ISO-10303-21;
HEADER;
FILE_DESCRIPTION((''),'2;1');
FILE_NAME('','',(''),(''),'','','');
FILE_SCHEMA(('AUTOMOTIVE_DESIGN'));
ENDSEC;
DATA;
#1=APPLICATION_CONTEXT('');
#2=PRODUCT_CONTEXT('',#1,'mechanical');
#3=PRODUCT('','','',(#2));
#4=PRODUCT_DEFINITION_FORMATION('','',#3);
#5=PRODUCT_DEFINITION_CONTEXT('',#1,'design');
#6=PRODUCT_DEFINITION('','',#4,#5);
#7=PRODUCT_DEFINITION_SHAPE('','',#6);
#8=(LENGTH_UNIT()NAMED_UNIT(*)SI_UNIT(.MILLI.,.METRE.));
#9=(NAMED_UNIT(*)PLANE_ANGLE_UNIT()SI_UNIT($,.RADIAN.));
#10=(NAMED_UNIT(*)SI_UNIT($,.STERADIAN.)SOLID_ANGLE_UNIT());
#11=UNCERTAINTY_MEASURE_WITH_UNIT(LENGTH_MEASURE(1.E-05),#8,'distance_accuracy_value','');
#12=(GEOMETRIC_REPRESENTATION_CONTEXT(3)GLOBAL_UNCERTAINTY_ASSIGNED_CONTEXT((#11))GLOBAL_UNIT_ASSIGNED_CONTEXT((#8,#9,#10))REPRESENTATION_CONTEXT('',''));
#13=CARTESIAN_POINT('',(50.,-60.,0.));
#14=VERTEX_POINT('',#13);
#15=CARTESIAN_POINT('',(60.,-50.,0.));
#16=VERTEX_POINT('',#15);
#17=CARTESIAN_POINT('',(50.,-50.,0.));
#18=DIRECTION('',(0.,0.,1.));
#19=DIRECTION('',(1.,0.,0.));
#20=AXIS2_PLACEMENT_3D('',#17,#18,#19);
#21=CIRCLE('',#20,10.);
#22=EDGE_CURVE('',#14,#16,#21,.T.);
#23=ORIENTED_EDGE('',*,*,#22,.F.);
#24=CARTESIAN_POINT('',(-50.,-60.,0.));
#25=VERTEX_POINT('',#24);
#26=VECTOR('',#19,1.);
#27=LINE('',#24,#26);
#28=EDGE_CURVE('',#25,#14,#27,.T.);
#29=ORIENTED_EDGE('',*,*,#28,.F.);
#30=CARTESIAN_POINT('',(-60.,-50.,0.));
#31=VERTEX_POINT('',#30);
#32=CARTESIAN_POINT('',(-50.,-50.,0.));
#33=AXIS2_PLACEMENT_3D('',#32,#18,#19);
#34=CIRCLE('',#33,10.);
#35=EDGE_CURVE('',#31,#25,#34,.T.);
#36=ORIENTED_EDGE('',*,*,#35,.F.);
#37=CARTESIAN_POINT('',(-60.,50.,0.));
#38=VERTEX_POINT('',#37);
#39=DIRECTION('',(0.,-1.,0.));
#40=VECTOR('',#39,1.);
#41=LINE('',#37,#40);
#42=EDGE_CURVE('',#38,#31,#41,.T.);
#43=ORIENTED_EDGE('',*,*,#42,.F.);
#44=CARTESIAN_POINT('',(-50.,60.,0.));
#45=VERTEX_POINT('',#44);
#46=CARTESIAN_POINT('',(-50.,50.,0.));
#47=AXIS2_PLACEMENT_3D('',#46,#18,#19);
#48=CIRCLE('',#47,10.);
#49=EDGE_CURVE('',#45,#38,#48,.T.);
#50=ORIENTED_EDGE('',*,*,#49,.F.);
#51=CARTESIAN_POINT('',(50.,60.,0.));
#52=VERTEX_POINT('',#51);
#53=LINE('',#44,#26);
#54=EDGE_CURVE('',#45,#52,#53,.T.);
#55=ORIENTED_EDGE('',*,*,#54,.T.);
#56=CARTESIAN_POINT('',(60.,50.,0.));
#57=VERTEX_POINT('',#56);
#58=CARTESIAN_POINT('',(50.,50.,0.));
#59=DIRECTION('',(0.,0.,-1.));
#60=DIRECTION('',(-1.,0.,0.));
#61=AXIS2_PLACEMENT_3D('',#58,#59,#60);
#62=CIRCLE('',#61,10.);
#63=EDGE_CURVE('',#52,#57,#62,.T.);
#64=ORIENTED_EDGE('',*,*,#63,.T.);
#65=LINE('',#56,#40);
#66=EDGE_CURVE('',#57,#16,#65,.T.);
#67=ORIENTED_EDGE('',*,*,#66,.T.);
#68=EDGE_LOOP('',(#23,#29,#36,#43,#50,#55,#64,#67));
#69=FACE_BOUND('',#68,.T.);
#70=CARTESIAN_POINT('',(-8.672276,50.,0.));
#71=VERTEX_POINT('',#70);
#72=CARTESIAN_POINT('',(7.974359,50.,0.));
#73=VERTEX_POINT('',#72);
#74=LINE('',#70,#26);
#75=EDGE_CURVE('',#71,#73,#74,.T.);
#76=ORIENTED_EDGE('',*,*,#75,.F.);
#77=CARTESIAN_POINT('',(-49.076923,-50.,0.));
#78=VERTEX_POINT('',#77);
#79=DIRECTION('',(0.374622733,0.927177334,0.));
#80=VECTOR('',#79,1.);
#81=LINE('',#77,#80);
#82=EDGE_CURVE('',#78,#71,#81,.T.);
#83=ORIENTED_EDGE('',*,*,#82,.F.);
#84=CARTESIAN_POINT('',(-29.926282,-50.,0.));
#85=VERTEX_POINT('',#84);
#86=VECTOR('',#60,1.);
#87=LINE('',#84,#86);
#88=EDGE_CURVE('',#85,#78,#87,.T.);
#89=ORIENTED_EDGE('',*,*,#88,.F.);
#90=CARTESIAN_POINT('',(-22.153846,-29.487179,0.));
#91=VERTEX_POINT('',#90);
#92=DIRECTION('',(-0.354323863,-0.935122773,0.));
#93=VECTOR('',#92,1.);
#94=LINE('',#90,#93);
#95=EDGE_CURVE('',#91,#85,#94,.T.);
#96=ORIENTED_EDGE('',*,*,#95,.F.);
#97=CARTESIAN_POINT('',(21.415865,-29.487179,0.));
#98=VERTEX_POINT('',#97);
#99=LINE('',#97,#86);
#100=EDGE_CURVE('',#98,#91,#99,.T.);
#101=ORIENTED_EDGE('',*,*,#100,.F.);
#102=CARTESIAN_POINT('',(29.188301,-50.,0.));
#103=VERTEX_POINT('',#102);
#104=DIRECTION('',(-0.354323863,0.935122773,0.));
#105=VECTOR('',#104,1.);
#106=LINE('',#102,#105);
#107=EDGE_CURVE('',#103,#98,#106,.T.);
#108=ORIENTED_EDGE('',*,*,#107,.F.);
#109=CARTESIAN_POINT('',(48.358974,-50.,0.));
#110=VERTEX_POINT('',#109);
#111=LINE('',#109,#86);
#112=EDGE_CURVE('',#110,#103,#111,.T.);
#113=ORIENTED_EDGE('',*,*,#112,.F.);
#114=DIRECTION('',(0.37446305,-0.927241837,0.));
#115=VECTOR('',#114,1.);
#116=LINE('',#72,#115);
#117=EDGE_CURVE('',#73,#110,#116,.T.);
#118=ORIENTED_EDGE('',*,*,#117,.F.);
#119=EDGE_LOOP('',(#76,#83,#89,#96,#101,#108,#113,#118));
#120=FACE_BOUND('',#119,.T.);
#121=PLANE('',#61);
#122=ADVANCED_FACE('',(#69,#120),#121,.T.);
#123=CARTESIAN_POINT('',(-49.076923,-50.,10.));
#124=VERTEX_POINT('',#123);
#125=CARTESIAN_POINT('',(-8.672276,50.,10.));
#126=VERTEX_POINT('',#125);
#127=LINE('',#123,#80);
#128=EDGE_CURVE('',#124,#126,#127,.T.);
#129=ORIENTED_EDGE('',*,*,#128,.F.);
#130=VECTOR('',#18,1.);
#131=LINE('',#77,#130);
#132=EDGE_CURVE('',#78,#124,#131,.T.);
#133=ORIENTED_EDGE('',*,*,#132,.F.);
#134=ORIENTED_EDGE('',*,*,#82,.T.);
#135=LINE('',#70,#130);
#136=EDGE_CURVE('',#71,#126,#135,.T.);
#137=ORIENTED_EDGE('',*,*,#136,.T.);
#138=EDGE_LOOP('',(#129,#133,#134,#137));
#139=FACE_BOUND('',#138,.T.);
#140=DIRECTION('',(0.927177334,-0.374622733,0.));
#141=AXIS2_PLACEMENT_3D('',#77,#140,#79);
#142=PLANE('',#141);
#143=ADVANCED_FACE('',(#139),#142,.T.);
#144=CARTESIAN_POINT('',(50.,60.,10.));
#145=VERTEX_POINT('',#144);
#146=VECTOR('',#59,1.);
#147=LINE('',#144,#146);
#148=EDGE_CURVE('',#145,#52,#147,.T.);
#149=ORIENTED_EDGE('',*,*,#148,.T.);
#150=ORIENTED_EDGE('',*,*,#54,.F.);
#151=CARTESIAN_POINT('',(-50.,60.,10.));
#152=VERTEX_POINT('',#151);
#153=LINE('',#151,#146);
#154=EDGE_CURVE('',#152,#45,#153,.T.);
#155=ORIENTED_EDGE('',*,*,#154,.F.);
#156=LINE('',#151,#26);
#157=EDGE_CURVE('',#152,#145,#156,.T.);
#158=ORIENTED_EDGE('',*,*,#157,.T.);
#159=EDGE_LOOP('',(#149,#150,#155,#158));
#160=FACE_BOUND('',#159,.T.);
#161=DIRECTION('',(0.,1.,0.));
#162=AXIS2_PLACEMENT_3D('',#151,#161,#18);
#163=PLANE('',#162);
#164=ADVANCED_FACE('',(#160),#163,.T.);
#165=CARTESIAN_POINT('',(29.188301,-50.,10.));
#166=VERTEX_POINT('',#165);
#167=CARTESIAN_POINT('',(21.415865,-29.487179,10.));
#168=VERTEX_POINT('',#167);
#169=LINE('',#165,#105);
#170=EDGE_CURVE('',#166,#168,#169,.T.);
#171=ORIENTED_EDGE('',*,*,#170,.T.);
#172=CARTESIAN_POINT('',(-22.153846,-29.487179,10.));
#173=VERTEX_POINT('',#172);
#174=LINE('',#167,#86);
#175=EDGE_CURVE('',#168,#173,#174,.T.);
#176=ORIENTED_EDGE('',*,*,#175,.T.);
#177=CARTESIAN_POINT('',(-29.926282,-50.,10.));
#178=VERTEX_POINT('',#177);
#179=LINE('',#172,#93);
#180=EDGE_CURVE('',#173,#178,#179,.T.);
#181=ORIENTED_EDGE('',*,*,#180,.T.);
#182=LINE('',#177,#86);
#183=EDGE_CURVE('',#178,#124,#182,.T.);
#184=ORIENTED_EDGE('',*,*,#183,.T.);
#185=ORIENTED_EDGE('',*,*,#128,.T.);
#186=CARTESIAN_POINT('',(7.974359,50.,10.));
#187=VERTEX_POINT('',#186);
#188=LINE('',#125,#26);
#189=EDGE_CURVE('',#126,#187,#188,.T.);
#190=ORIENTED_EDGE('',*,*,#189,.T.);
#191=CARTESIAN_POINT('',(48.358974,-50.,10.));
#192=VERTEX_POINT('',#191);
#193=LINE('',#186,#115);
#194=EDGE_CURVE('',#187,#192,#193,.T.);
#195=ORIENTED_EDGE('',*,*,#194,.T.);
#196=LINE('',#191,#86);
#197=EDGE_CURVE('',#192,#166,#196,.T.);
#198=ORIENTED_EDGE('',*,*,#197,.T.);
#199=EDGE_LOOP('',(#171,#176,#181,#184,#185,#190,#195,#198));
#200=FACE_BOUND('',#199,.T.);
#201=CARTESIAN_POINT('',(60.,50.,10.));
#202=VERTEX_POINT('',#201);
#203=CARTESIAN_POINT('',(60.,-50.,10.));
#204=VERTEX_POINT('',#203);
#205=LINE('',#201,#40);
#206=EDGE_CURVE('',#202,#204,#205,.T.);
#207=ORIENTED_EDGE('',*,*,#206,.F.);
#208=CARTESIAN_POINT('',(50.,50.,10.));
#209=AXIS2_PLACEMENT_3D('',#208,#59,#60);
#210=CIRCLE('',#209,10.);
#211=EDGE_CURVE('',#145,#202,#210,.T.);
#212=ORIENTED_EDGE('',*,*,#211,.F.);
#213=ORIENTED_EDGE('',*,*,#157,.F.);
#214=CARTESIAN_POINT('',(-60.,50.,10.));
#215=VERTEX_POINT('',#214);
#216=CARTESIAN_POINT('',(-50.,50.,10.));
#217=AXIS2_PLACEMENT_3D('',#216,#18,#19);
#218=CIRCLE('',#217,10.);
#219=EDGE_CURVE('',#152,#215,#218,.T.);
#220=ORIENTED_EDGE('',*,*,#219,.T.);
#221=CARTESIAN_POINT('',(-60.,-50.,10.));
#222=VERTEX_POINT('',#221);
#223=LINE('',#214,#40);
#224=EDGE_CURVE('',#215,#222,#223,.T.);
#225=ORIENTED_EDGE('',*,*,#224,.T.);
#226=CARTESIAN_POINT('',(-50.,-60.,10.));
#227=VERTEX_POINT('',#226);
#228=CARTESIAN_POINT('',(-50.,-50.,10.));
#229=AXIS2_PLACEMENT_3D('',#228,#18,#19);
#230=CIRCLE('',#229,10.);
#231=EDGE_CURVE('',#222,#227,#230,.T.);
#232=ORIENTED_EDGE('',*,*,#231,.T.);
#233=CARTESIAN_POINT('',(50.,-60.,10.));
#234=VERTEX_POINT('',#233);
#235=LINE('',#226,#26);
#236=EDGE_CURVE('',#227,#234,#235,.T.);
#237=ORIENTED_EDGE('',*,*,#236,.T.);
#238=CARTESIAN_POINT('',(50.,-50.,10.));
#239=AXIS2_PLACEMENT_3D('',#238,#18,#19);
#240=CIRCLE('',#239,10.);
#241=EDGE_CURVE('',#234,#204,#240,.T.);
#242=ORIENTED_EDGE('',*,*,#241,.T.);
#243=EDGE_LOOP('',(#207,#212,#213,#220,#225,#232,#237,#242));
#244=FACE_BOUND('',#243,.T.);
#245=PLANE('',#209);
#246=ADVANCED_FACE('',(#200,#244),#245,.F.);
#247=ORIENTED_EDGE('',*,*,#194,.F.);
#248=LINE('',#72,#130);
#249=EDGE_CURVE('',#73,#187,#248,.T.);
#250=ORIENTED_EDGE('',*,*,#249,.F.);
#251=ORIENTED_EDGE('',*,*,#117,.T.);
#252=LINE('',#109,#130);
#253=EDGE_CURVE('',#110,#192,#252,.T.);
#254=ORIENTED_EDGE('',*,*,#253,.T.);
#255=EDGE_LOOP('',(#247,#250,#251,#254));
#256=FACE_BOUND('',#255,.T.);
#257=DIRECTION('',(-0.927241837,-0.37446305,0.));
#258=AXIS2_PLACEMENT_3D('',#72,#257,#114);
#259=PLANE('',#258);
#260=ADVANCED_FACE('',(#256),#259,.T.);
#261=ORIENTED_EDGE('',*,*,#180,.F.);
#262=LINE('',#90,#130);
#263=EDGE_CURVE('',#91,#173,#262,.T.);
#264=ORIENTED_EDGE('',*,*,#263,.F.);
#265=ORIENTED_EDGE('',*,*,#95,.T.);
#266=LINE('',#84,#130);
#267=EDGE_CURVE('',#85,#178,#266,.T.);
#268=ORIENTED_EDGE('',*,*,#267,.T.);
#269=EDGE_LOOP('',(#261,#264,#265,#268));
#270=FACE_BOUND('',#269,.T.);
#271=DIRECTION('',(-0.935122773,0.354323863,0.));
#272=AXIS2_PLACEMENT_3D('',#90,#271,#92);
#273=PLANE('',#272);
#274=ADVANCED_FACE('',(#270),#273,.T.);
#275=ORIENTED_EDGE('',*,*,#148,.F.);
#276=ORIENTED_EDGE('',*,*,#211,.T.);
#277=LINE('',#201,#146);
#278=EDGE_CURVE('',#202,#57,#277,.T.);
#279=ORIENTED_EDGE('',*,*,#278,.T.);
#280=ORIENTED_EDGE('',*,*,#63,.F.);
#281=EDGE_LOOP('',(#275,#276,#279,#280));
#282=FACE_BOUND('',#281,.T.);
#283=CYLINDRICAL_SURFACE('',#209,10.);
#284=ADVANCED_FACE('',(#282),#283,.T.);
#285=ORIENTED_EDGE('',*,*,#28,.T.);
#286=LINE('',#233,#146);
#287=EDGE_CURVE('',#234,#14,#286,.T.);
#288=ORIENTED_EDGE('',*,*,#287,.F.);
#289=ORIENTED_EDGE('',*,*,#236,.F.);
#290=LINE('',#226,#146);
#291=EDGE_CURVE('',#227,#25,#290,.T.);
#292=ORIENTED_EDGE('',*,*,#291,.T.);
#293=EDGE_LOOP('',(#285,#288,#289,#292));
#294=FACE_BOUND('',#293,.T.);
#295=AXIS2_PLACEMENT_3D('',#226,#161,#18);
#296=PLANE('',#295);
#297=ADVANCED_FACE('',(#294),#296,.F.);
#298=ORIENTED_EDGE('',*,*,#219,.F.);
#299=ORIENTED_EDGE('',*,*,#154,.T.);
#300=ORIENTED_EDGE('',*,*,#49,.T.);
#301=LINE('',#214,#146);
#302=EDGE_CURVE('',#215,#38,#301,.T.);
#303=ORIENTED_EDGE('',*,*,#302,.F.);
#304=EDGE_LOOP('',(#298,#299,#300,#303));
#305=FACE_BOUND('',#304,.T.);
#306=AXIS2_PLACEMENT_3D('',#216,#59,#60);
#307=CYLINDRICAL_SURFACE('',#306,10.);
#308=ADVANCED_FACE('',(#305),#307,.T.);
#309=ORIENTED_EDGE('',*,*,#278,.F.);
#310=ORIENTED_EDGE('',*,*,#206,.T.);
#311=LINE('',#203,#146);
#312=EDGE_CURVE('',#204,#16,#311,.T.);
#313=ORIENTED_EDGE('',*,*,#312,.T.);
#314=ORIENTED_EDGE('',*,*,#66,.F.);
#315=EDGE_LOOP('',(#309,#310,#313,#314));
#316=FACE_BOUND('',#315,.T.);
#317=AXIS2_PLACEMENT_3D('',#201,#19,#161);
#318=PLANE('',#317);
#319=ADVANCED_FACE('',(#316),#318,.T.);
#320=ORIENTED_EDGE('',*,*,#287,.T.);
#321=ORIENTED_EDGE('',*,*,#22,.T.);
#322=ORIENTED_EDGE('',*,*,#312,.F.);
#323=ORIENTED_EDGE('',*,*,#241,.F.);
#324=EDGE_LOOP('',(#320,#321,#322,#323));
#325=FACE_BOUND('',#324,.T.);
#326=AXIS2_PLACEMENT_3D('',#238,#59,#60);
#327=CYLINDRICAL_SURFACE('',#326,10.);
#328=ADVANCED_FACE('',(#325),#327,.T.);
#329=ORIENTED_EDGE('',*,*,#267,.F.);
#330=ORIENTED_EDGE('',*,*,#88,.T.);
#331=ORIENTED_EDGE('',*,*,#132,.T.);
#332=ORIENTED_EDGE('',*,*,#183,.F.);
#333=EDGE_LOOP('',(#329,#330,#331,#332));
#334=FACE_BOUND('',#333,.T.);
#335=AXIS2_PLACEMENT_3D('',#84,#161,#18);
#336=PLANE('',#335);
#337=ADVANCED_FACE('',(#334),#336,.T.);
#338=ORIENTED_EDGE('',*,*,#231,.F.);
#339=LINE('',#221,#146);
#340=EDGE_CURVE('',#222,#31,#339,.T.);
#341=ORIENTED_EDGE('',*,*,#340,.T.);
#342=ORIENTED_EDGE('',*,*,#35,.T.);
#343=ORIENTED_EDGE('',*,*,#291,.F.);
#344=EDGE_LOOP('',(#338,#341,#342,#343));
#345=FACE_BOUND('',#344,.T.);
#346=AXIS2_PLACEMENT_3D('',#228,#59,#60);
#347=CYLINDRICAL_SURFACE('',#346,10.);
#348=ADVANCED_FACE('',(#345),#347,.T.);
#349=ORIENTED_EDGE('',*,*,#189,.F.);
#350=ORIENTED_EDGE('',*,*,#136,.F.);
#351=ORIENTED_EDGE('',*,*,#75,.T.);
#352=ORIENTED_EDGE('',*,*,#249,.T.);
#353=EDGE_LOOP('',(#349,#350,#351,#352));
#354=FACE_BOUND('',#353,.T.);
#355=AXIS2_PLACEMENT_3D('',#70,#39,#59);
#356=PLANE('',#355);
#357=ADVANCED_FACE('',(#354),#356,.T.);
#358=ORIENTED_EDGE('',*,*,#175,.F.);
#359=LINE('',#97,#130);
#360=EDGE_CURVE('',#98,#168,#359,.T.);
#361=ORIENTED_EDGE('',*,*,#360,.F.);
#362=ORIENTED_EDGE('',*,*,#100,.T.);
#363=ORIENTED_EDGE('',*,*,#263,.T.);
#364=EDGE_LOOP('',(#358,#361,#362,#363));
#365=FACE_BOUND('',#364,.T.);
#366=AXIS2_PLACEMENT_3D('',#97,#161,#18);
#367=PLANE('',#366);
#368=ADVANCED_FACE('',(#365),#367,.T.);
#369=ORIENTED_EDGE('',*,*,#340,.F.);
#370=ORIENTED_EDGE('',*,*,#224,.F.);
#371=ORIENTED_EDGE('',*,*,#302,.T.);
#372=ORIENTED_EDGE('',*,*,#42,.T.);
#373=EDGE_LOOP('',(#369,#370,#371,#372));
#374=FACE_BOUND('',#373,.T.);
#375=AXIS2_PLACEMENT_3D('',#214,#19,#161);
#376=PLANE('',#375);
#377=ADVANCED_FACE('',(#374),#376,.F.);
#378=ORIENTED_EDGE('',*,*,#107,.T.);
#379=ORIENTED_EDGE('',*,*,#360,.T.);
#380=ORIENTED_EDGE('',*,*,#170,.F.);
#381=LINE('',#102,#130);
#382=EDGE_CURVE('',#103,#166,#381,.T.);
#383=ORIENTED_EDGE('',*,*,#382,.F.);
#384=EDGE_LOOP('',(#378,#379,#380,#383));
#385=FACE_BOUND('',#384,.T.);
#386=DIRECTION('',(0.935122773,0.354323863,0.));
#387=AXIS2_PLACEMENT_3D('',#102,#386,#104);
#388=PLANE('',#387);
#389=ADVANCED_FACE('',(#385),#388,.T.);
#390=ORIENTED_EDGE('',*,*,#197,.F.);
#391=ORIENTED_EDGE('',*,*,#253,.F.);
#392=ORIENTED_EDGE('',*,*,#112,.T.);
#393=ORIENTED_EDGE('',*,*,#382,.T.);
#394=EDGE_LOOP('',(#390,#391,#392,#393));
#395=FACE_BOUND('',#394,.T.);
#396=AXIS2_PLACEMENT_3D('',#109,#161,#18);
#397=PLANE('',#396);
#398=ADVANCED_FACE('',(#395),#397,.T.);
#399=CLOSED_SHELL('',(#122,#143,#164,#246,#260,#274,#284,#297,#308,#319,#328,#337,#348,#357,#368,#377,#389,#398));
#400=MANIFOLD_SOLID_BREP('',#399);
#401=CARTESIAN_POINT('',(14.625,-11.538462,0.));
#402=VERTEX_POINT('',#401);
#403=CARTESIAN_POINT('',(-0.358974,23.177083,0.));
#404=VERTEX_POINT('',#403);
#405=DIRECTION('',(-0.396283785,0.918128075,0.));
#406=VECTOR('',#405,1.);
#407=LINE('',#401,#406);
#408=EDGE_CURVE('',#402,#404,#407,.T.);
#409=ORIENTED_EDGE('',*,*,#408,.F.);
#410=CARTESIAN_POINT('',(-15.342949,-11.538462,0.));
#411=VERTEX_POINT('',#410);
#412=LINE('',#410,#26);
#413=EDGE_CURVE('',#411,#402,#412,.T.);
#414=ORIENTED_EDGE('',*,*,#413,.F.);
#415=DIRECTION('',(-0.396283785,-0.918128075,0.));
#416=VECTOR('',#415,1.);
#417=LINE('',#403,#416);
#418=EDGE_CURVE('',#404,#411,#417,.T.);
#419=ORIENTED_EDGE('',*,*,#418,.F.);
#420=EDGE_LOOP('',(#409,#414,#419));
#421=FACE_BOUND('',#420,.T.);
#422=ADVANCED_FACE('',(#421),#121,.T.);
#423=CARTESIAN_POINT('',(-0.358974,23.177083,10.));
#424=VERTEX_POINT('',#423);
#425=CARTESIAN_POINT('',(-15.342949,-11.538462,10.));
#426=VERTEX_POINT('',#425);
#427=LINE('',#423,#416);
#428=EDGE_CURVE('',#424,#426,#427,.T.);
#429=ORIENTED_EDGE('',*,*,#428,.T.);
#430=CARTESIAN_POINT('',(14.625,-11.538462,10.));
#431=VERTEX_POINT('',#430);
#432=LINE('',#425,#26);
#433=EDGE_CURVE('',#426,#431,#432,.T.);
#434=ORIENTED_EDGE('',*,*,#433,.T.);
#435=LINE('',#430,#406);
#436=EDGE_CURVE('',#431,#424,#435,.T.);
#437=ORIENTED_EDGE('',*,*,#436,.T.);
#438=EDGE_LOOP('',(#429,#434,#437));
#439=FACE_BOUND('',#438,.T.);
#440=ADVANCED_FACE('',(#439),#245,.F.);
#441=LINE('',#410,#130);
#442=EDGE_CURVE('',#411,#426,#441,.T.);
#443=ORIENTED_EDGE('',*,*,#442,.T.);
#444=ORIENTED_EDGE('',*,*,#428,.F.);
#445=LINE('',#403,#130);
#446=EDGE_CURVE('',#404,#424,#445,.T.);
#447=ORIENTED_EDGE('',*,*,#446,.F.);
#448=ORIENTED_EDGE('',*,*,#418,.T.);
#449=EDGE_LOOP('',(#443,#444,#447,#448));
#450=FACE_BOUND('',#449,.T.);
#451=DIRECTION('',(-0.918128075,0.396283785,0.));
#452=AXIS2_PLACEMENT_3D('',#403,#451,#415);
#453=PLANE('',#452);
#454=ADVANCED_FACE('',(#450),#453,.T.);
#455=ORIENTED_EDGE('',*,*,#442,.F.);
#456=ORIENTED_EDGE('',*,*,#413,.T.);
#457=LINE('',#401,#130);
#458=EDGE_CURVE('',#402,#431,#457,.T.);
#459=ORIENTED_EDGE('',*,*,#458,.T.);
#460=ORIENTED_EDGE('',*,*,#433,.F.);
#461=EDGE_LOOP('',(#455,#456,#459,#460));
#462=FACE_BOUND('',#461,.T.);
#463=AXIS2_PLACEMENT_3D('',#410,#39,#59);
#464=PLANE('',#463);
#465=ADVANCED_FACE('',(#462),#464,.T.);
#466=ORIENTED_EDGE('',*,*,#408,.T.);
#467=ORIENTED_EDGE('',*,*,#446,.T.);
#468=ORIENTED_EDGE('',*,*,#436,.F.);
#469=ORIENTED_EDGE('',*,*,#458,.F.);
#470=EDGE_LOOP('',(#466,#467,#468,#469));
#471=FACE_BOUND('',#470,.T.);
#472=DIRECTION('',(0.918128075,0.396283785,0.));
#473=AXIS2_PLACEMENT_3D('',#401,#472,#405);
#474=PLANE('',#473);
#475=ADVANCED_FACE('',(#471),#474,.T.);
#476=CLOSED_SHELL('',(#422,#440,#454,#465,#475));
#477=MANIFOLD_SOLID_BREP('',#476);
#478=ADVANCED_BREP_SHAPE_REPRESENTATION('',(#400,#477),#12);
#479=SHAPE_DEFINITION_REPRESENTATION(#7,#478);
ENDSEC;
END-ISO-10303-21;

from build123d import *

# Parameters (mm, degrees)
BOSS_EXTRUDE1_DEPTH = 10
CUT_EXTRUDE14_DEPTH = 10


with BuildPart() as part:
    # Sketch1 → Boss-Extrude1 (new body)
    with BuildSketch(Plane.XY):
        with BuildLine():
            Line((-50, 60), (50, 60))
            ThreePointArc((50, 60), (57.071067812, 57.071067812), (60, 50))
            Line((60, 50), (60, -50))
            ThreePointArc((60, -50), (57.071067812, -57.071067812), (50, -60))
            Line((50, -60), (-50, -60))
            ThreePointArc((-50, -60), (-57.071067812, -57.071067812), (-60, -50))
            Line((-60, -50), (-60, 50))
            ThreePointArc((-60, 50), (-57.071067812, 57.071067812), (-50, 60))
        make_face()
    extrude(amount=BOSS_EXTRUDE1_DEPTH)

    # Sketch2 → Cut-Extrude14 (cut)
    with BuildSketch(Plane.XY.offset(10)):
        Polygon((-8.672275641, 50), (7.974358974, 50), (48.358974359, -50), (29.188301282, -50), (21.415865385, -29.487179487), (-22.153846154, -29.487179487), (-29.926282051, -50), (-49.076923077, -50), align=None)
        Polygon((-0.358974359, 23.177083333), (-15.342948718, -11.538461538), (14.625, -11.538461538), align=None, mode=Mode.SUBTRACT)
    extrude(amount=-CUT_EXTRUDE14_DEPTH, mode=Mode.SUBTRACT)


with BuildPart() as cut_extrude14_piece_1:
    # of the separate pieces the step leaves, piece 1, a body of its own (cut_extrude14_pieces)
    add(part.part.solids().sort_by_distance((-50, 60, 0))[0])


with BuildPart() as cut_extrude14_piece_2:
    # of the separate pieces the step leaves, piece 2, a body of its own (cut_extrude14_pieces)
    add(part.part.solids().sort_by_distance((-0.358974359, 23.177083333, 0))[0])


solid = Compound([cut_extrude14_piece_1.part, cut_extrude14_piece_2.part])
